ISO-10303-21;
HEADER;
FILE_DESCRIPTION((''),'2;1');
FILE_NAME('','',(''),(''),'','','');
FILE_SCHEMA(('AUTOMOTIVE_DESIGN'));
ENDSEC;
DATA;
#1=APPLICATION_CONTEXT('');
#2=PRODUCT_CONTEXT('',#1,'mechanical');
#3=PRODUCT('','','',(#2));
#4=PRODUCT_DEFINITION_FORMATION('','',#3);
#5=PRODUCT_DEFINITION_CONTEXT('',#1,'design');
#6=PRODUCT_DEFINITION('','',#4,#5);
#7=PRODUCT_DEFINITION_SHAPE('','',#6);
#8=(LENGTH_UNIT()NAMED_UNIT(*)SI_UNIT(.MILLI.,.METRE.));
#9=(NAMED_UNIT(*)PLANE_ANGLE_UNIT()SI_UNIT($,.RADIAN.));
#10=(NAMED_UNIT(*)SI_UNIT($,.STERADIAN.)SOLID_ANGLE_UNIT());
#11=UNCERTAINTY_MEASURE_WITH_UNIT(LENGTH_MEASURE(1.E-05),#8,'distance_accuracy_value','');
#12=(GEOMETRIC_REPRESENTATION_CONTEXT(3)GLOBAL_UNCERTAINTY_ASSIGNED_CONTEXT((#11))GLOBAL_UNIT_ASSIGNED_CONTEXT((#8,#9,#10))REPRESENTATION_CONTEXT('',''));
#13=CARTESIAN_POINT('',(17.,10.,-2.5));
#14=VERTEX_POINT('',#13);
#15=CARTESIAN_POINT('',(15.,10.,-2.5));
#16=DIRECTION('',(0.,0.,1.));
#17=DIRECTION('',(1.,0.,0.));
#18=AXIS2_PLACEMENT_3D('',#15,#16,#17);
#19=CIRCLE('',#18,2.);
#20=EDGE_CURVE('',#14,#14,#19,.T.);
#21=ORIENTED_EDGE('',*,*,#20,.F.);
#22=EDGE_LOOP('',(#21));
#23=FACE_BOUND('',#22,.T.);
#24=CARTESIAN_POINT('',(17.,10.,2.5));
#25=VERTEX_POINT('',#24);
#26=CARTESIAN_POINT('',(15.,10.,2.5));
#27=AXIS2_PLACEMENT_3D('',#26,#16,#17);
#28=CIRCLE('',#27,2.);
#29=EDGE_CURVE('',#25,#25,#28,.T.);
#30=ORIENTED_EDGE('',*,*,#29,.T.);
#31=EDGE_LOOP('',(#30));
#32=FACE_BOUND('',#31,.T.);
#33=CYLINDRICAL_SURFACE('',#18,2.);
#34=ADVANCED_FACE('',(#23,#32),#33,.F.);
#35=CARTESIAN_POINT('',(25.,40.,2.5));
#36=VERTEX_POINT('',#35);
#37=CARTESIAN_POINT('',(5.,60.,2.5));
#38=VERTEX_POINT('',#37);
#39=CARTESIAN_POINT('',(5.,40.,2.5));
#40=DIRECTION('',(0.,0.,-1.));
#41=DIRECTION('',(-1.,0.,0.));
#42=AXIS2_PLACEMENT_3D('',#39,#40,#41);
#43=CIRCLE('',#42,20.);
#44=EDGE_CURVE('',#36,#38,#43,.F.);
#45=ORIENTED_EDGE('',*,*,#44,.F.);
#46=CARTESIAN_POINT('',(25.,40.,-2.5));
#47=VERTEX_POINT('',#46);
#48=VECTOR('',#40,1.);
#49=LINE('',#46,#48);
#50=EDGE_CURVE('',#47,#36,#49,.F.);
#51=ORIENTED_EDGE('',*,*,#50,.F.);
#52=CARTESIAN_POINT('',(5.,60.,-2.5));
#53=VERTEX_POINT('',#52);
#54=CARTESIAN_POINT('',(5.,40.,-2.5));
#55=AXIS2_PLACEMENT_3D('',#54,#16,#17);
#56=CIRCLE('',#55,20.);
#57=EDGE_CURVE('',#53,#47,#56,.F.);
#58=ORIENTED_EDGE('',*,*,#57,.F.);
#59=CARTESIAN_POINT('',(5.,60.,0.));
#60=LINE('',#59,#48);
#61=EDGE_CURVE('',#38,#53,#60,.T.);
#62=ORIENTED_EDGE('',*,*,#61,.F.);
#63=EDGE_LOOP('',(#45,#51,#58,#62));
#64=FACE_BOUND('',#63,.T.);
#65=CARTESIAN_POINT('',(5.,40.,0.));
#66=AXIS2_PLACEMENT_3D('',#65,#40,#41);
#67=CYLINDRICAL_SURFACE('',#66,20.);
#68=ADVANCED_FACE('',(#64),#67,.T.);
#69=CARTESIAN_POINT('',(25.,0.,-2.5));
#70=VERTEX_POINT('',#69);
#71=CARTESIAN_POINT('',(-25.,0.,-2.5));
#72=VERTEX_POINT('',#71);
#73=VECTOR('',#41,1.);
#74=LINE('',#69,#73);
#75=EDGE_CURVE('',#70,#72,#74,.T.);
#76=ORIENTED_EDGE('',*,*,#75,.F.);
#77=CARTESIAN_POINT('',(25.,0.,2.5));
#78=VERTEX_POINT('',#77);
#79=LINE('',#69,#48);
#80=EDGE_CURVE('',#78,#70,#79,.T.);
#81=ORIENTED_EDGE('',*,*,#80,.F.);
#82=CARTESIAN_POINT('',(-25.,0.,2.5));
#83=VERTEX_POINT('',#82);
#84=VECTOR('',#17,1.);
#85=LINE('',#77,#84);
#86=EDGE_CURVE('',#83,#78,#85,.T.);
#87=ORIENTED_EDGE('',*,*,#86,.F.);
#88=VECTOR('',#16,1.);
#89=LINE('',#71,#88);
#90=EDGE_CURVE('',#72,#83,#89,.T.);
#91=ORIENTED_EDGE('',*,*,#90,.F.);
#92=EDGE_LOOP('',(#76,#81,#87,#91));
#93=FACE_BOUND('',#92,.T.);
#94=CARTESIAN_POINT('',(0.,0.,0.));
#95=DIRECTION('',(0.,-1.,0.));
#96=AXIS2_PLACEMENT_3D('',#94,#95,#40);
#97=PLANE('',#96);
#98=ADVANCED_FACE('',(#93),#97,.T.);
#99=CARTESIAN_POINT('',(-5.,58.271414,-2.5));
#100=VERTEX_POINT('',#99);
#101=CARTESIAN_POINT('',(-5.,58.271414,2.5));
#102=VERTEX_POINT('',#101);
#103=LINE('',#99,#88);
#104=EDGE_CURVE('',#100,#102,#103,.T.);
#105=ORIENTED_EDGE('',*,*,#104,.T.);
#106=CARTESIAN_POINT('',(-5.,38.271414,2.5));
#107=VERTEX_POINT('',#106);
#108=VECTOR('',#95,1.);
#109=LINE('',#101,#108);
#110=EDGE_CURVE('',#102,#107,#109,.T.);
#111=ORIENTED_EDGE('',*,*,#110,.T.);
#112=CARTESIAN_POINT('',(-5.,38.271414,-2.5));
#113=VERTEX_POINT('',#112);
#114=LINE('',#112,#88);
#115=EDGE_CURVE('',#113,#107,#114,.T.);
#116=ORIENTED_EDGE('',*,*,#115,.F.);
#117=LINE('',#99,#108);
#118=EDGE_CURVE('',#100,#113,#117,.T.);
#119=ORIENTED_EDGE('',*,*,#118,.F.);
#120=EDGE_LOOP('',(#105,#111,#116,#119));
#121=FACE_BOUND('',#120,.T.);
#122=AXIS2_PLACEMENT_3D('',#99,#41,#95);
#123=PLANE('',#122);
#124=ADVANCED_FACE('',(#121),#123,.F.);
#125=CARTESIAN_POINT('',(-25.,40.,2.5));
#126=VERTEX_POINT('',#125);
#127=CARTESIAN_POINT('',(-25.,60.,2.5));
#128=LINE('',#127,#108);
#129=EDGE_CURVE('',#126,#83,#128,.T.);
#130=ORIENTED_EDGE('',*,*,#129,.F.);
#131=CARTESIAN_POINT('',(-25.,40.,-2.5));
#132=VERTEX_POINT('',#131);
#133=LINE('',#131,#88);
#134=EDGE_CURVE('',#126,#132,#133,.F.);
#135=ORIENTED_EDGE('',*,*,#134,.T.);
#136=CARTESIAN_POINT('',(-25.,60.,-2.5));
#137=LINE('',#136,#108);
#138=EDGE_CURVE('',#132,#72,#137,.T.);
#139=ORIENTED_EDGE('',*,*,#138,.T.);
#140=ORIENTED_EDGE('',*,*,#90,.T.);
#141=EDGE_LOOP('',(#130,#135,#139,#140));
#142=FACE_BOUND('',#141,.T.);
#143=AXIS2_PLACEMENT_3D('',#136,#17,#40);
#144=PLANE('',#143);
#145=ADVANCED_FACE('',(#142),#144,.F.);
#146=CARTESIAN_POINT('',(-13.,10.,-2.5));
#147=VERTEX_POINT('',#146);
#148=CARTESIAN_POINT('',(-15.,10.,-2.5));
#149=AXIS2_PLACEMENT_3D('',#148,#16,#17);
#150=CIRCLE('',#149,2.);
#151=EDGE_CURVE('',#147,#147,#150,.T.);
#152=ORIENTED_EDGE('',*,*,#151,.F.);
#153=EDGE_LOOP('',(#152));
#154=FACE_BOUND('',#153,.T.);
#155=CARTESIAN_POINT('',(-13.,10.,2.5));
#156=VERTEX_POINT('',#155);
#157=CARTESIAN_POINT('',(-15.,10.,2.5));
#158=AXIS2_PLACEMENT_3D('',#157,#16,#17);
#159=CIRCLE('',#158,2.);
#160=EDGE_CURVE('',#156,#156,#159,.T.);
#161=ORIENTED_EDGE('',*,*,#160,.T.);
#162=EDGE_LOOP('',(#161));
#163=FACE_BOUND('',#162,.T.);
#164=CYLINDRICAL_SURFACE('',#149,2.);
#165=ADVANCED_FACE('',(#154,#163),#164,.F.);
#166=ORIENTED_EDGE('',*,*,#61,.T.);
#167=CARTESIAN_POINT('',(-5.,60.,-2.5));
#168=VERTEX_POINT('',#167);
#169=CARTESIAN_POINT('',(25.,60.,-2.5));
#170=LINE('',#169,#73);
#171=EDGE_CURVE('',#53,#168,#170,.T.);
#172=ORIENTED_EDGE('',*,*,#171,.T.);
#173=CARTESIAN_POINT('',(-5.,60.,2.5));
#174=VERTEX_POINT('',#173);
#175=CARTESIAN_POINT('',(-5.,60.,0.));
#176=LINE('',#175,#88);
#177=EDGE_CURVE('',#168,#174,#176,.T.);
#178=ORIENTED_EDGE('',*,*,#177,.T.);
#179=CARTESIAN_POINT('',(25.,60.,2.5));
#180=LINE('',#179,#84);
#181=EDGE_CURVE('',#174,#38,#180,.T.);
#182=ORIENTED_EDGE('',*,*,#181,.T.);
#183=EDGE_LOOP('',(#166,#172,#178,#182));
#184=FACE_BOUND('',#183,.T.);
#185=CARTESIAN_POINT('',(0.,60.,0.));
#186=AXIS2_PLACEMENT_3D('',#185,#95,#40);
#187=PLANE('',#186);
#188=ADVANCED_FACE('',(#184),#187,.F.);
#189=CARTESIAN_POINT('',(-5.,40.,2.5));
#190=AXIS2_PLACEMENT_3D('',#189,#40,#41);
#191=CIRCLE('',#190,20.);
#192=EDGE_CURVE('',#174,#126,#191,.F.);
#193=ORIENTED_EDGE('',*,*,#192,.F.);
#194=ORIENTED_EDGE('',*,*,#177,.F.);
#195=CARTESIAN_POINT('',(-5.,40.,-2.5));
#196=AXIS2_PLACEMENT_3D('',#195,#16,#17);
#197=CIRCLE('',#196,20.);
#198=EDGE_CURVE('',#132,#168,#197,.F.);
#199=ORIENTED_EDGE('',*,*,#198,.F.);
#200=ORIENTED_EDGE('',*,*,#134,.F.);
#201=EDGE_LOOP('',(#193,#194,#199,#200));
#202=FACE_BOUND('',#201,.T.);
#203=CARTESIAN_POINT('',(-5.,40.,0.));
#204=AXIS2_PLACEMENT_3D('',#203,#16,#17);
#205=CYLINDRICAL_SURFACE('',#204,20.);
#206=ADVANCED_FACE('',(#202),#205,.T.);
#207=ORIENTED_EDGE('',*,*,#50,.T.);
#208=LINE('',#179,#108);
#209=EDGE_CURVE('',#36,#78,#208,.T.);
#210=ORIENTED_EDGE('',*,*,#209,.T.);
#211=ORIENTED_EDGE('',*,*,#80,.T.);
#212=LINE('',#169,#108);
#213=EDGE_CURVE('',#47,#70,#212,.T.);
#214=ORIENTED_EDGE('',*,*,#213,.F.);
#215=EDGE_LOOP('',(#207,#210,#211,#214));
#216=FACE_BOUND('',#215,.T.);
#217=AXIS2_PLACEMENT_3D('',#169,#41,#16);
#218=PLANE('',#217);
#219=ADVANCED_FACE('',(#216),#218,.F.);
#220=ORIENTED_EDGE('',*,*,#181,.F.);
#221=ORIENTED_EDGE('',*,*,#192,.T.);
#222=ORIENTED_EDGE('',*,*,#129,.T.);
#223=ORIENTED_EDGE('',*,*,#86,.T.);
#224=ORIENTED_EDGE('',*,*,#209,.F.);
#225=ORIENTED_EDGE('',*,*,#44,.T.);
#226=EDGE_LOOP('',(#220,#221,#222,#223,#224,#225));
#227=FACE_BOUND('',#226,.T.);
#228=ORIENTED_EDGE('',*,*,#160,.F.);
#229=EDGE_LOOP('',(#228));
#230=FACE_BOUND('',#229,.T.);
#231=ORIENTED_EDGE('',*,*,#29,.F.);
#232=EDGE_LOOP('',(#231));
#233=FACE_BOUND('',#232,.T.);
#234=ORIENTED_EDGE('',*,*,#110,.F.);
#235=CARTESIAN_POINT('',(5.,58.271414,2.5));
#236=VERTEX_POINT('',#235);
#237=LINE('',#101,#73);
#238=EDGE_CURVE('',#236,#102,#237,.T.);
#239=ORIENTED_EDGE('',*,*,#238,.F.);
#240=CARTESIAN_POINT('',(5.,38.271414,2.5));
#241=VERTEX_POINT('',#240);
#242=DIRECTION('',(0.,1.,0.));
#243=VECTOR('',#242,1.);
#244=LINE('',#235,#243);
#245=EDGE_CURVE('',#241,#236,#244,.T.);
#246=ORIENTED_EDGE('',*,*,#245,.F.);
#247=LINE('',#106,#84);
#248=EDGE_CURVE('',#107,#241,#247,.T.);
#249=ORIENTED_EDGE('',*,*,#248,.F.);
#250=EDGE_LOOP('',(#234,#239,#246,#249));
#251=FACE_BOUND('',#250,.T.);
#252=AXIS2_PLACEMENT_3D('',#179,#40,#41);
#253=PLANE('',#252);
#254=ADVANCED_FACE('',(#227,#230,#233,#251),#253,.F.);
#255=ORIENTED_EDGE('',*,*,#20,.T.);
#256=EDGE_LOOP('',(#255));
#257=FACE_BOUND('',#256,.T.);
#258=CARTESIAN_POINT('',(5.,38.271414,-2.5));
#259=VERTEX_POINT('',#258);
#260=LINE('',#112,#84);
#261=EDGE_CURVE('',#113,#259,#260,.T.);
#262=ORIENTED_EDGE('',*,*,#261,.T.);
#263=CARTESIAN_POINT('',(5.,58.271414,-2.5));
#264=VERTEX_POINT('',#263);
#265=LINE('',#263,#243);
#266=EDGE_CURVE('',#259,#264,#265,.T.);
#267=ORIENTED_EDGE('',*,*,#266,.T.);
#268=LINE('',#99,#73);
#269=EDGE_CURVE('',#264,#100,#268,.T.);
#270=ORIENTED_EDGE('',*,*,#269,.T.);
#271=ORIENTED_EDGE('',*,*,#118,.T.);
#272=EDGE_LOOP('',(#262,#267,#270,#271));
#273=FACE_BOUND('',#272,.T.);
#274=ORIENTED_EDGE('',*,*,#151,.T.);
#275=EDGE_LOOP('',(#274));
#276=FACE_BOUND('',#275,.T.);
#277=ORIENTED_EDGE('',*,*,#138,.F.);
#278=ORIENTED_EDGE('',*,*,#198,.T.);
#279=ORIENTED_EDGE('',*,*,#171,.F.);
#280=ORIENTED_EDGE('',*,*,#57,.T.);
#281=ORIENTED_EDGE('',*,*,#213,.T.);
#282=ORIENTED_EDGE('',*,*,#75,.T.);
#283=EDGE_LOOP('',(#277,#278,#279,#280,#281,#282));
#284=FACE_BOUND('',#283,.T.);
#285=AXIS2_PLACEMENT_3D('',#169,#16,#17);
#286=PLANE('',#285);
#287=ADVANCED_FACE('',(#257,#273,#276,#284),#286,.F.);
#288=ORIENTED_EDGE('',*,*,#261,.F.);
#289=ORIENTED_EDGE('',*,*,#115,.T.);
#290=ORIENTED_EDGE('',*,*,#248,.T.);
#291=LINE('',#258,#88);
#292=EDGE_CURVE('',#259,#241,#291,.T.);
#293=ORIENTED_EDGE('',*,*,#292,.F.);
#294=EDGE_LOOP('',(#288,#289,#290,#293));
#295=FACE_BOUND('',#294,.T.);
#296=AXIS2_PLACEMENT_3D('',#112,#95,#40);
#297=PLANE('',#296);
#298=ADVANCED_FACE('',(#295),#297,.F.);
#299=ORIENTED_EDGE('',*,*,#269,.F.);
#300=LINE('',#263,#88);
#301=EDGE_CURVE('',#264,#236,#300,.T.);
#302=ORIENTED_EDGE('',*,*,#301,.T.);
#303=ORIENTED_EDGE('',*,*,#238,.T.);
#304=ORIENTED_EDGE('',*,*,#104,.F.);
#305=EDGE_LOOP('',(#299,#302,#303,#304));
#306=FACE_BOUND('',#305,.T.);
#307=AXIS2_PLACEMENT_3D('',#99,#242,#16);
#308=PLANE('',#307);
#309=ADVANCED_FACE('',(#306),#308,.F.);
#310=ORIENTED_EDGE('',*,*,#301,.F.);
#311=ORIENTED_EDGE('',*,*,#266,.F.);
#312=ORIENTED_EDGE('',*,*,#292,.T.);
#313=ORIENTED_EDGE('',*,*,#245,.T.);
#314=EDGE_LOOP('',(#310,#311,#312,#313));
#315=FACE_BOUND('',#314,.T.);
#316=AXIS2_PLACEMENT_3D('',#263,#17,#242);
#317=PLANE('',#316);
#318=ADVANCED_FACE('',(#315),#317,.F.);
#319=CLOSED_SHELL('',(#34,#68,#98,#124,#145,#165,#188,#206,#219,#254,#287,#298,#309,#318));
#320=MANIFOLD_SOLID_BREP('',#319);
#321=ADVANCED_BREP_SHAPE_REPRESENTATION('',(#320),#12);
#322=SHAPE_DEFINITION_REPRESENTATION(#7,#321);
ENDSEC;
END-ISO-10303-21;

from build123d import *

# Parameters (mm, degrees)
SKETCH1_W           = 50
SKETCH1_H           = 5
BOSS_EXTRUDE1_DEPTH = 60
FILLET1_R           = 20
SKETCH2_R           = 2
SKETCH2_W           = 10
SKETCH2_H           = 20
CUT_EXTRUDE1_DEPTH  = 5


with BuildPart() as part:
    # Sketch1 → Boss-Extrude1 (new body)
    with BuildSketch(Plane(origin=(0, 0, 0), x_dir=(1, 0, 0), z_dir=(0, 1, 0))):
        Rectangle(SKETCH1_W, SKETCH1_H)
    extrude(amount=BOSS_EXTRUDE1_DEPTH)

    # Fillet1
    fillet1_edges = [part.edges().sort_by_distance(p)[0] for p in [
        (25, 60, 0),
        (-25, 60, 0),
    ]]
    fillet(fillet1_edges, radius=FILLET1_R)

    # Sketch2 → Cut-Extrude1 (cut)
    with BuildSketch(Plane.XY.offset(2.5)):
        with Locations((-15, 10)):
            Circle(SKETCH2_R)
        with Locations((15, 10)):
            Circle(SKETCH2_R)
        with Locations((0, 48.271414018)):
            Rectangle(SKETCH2_W, SKETCH2_H)
    extrude(amount=-CUT_EXTRUDE1_DEPTH, mode=Mode.SUBTRACT)


solid = part.part
